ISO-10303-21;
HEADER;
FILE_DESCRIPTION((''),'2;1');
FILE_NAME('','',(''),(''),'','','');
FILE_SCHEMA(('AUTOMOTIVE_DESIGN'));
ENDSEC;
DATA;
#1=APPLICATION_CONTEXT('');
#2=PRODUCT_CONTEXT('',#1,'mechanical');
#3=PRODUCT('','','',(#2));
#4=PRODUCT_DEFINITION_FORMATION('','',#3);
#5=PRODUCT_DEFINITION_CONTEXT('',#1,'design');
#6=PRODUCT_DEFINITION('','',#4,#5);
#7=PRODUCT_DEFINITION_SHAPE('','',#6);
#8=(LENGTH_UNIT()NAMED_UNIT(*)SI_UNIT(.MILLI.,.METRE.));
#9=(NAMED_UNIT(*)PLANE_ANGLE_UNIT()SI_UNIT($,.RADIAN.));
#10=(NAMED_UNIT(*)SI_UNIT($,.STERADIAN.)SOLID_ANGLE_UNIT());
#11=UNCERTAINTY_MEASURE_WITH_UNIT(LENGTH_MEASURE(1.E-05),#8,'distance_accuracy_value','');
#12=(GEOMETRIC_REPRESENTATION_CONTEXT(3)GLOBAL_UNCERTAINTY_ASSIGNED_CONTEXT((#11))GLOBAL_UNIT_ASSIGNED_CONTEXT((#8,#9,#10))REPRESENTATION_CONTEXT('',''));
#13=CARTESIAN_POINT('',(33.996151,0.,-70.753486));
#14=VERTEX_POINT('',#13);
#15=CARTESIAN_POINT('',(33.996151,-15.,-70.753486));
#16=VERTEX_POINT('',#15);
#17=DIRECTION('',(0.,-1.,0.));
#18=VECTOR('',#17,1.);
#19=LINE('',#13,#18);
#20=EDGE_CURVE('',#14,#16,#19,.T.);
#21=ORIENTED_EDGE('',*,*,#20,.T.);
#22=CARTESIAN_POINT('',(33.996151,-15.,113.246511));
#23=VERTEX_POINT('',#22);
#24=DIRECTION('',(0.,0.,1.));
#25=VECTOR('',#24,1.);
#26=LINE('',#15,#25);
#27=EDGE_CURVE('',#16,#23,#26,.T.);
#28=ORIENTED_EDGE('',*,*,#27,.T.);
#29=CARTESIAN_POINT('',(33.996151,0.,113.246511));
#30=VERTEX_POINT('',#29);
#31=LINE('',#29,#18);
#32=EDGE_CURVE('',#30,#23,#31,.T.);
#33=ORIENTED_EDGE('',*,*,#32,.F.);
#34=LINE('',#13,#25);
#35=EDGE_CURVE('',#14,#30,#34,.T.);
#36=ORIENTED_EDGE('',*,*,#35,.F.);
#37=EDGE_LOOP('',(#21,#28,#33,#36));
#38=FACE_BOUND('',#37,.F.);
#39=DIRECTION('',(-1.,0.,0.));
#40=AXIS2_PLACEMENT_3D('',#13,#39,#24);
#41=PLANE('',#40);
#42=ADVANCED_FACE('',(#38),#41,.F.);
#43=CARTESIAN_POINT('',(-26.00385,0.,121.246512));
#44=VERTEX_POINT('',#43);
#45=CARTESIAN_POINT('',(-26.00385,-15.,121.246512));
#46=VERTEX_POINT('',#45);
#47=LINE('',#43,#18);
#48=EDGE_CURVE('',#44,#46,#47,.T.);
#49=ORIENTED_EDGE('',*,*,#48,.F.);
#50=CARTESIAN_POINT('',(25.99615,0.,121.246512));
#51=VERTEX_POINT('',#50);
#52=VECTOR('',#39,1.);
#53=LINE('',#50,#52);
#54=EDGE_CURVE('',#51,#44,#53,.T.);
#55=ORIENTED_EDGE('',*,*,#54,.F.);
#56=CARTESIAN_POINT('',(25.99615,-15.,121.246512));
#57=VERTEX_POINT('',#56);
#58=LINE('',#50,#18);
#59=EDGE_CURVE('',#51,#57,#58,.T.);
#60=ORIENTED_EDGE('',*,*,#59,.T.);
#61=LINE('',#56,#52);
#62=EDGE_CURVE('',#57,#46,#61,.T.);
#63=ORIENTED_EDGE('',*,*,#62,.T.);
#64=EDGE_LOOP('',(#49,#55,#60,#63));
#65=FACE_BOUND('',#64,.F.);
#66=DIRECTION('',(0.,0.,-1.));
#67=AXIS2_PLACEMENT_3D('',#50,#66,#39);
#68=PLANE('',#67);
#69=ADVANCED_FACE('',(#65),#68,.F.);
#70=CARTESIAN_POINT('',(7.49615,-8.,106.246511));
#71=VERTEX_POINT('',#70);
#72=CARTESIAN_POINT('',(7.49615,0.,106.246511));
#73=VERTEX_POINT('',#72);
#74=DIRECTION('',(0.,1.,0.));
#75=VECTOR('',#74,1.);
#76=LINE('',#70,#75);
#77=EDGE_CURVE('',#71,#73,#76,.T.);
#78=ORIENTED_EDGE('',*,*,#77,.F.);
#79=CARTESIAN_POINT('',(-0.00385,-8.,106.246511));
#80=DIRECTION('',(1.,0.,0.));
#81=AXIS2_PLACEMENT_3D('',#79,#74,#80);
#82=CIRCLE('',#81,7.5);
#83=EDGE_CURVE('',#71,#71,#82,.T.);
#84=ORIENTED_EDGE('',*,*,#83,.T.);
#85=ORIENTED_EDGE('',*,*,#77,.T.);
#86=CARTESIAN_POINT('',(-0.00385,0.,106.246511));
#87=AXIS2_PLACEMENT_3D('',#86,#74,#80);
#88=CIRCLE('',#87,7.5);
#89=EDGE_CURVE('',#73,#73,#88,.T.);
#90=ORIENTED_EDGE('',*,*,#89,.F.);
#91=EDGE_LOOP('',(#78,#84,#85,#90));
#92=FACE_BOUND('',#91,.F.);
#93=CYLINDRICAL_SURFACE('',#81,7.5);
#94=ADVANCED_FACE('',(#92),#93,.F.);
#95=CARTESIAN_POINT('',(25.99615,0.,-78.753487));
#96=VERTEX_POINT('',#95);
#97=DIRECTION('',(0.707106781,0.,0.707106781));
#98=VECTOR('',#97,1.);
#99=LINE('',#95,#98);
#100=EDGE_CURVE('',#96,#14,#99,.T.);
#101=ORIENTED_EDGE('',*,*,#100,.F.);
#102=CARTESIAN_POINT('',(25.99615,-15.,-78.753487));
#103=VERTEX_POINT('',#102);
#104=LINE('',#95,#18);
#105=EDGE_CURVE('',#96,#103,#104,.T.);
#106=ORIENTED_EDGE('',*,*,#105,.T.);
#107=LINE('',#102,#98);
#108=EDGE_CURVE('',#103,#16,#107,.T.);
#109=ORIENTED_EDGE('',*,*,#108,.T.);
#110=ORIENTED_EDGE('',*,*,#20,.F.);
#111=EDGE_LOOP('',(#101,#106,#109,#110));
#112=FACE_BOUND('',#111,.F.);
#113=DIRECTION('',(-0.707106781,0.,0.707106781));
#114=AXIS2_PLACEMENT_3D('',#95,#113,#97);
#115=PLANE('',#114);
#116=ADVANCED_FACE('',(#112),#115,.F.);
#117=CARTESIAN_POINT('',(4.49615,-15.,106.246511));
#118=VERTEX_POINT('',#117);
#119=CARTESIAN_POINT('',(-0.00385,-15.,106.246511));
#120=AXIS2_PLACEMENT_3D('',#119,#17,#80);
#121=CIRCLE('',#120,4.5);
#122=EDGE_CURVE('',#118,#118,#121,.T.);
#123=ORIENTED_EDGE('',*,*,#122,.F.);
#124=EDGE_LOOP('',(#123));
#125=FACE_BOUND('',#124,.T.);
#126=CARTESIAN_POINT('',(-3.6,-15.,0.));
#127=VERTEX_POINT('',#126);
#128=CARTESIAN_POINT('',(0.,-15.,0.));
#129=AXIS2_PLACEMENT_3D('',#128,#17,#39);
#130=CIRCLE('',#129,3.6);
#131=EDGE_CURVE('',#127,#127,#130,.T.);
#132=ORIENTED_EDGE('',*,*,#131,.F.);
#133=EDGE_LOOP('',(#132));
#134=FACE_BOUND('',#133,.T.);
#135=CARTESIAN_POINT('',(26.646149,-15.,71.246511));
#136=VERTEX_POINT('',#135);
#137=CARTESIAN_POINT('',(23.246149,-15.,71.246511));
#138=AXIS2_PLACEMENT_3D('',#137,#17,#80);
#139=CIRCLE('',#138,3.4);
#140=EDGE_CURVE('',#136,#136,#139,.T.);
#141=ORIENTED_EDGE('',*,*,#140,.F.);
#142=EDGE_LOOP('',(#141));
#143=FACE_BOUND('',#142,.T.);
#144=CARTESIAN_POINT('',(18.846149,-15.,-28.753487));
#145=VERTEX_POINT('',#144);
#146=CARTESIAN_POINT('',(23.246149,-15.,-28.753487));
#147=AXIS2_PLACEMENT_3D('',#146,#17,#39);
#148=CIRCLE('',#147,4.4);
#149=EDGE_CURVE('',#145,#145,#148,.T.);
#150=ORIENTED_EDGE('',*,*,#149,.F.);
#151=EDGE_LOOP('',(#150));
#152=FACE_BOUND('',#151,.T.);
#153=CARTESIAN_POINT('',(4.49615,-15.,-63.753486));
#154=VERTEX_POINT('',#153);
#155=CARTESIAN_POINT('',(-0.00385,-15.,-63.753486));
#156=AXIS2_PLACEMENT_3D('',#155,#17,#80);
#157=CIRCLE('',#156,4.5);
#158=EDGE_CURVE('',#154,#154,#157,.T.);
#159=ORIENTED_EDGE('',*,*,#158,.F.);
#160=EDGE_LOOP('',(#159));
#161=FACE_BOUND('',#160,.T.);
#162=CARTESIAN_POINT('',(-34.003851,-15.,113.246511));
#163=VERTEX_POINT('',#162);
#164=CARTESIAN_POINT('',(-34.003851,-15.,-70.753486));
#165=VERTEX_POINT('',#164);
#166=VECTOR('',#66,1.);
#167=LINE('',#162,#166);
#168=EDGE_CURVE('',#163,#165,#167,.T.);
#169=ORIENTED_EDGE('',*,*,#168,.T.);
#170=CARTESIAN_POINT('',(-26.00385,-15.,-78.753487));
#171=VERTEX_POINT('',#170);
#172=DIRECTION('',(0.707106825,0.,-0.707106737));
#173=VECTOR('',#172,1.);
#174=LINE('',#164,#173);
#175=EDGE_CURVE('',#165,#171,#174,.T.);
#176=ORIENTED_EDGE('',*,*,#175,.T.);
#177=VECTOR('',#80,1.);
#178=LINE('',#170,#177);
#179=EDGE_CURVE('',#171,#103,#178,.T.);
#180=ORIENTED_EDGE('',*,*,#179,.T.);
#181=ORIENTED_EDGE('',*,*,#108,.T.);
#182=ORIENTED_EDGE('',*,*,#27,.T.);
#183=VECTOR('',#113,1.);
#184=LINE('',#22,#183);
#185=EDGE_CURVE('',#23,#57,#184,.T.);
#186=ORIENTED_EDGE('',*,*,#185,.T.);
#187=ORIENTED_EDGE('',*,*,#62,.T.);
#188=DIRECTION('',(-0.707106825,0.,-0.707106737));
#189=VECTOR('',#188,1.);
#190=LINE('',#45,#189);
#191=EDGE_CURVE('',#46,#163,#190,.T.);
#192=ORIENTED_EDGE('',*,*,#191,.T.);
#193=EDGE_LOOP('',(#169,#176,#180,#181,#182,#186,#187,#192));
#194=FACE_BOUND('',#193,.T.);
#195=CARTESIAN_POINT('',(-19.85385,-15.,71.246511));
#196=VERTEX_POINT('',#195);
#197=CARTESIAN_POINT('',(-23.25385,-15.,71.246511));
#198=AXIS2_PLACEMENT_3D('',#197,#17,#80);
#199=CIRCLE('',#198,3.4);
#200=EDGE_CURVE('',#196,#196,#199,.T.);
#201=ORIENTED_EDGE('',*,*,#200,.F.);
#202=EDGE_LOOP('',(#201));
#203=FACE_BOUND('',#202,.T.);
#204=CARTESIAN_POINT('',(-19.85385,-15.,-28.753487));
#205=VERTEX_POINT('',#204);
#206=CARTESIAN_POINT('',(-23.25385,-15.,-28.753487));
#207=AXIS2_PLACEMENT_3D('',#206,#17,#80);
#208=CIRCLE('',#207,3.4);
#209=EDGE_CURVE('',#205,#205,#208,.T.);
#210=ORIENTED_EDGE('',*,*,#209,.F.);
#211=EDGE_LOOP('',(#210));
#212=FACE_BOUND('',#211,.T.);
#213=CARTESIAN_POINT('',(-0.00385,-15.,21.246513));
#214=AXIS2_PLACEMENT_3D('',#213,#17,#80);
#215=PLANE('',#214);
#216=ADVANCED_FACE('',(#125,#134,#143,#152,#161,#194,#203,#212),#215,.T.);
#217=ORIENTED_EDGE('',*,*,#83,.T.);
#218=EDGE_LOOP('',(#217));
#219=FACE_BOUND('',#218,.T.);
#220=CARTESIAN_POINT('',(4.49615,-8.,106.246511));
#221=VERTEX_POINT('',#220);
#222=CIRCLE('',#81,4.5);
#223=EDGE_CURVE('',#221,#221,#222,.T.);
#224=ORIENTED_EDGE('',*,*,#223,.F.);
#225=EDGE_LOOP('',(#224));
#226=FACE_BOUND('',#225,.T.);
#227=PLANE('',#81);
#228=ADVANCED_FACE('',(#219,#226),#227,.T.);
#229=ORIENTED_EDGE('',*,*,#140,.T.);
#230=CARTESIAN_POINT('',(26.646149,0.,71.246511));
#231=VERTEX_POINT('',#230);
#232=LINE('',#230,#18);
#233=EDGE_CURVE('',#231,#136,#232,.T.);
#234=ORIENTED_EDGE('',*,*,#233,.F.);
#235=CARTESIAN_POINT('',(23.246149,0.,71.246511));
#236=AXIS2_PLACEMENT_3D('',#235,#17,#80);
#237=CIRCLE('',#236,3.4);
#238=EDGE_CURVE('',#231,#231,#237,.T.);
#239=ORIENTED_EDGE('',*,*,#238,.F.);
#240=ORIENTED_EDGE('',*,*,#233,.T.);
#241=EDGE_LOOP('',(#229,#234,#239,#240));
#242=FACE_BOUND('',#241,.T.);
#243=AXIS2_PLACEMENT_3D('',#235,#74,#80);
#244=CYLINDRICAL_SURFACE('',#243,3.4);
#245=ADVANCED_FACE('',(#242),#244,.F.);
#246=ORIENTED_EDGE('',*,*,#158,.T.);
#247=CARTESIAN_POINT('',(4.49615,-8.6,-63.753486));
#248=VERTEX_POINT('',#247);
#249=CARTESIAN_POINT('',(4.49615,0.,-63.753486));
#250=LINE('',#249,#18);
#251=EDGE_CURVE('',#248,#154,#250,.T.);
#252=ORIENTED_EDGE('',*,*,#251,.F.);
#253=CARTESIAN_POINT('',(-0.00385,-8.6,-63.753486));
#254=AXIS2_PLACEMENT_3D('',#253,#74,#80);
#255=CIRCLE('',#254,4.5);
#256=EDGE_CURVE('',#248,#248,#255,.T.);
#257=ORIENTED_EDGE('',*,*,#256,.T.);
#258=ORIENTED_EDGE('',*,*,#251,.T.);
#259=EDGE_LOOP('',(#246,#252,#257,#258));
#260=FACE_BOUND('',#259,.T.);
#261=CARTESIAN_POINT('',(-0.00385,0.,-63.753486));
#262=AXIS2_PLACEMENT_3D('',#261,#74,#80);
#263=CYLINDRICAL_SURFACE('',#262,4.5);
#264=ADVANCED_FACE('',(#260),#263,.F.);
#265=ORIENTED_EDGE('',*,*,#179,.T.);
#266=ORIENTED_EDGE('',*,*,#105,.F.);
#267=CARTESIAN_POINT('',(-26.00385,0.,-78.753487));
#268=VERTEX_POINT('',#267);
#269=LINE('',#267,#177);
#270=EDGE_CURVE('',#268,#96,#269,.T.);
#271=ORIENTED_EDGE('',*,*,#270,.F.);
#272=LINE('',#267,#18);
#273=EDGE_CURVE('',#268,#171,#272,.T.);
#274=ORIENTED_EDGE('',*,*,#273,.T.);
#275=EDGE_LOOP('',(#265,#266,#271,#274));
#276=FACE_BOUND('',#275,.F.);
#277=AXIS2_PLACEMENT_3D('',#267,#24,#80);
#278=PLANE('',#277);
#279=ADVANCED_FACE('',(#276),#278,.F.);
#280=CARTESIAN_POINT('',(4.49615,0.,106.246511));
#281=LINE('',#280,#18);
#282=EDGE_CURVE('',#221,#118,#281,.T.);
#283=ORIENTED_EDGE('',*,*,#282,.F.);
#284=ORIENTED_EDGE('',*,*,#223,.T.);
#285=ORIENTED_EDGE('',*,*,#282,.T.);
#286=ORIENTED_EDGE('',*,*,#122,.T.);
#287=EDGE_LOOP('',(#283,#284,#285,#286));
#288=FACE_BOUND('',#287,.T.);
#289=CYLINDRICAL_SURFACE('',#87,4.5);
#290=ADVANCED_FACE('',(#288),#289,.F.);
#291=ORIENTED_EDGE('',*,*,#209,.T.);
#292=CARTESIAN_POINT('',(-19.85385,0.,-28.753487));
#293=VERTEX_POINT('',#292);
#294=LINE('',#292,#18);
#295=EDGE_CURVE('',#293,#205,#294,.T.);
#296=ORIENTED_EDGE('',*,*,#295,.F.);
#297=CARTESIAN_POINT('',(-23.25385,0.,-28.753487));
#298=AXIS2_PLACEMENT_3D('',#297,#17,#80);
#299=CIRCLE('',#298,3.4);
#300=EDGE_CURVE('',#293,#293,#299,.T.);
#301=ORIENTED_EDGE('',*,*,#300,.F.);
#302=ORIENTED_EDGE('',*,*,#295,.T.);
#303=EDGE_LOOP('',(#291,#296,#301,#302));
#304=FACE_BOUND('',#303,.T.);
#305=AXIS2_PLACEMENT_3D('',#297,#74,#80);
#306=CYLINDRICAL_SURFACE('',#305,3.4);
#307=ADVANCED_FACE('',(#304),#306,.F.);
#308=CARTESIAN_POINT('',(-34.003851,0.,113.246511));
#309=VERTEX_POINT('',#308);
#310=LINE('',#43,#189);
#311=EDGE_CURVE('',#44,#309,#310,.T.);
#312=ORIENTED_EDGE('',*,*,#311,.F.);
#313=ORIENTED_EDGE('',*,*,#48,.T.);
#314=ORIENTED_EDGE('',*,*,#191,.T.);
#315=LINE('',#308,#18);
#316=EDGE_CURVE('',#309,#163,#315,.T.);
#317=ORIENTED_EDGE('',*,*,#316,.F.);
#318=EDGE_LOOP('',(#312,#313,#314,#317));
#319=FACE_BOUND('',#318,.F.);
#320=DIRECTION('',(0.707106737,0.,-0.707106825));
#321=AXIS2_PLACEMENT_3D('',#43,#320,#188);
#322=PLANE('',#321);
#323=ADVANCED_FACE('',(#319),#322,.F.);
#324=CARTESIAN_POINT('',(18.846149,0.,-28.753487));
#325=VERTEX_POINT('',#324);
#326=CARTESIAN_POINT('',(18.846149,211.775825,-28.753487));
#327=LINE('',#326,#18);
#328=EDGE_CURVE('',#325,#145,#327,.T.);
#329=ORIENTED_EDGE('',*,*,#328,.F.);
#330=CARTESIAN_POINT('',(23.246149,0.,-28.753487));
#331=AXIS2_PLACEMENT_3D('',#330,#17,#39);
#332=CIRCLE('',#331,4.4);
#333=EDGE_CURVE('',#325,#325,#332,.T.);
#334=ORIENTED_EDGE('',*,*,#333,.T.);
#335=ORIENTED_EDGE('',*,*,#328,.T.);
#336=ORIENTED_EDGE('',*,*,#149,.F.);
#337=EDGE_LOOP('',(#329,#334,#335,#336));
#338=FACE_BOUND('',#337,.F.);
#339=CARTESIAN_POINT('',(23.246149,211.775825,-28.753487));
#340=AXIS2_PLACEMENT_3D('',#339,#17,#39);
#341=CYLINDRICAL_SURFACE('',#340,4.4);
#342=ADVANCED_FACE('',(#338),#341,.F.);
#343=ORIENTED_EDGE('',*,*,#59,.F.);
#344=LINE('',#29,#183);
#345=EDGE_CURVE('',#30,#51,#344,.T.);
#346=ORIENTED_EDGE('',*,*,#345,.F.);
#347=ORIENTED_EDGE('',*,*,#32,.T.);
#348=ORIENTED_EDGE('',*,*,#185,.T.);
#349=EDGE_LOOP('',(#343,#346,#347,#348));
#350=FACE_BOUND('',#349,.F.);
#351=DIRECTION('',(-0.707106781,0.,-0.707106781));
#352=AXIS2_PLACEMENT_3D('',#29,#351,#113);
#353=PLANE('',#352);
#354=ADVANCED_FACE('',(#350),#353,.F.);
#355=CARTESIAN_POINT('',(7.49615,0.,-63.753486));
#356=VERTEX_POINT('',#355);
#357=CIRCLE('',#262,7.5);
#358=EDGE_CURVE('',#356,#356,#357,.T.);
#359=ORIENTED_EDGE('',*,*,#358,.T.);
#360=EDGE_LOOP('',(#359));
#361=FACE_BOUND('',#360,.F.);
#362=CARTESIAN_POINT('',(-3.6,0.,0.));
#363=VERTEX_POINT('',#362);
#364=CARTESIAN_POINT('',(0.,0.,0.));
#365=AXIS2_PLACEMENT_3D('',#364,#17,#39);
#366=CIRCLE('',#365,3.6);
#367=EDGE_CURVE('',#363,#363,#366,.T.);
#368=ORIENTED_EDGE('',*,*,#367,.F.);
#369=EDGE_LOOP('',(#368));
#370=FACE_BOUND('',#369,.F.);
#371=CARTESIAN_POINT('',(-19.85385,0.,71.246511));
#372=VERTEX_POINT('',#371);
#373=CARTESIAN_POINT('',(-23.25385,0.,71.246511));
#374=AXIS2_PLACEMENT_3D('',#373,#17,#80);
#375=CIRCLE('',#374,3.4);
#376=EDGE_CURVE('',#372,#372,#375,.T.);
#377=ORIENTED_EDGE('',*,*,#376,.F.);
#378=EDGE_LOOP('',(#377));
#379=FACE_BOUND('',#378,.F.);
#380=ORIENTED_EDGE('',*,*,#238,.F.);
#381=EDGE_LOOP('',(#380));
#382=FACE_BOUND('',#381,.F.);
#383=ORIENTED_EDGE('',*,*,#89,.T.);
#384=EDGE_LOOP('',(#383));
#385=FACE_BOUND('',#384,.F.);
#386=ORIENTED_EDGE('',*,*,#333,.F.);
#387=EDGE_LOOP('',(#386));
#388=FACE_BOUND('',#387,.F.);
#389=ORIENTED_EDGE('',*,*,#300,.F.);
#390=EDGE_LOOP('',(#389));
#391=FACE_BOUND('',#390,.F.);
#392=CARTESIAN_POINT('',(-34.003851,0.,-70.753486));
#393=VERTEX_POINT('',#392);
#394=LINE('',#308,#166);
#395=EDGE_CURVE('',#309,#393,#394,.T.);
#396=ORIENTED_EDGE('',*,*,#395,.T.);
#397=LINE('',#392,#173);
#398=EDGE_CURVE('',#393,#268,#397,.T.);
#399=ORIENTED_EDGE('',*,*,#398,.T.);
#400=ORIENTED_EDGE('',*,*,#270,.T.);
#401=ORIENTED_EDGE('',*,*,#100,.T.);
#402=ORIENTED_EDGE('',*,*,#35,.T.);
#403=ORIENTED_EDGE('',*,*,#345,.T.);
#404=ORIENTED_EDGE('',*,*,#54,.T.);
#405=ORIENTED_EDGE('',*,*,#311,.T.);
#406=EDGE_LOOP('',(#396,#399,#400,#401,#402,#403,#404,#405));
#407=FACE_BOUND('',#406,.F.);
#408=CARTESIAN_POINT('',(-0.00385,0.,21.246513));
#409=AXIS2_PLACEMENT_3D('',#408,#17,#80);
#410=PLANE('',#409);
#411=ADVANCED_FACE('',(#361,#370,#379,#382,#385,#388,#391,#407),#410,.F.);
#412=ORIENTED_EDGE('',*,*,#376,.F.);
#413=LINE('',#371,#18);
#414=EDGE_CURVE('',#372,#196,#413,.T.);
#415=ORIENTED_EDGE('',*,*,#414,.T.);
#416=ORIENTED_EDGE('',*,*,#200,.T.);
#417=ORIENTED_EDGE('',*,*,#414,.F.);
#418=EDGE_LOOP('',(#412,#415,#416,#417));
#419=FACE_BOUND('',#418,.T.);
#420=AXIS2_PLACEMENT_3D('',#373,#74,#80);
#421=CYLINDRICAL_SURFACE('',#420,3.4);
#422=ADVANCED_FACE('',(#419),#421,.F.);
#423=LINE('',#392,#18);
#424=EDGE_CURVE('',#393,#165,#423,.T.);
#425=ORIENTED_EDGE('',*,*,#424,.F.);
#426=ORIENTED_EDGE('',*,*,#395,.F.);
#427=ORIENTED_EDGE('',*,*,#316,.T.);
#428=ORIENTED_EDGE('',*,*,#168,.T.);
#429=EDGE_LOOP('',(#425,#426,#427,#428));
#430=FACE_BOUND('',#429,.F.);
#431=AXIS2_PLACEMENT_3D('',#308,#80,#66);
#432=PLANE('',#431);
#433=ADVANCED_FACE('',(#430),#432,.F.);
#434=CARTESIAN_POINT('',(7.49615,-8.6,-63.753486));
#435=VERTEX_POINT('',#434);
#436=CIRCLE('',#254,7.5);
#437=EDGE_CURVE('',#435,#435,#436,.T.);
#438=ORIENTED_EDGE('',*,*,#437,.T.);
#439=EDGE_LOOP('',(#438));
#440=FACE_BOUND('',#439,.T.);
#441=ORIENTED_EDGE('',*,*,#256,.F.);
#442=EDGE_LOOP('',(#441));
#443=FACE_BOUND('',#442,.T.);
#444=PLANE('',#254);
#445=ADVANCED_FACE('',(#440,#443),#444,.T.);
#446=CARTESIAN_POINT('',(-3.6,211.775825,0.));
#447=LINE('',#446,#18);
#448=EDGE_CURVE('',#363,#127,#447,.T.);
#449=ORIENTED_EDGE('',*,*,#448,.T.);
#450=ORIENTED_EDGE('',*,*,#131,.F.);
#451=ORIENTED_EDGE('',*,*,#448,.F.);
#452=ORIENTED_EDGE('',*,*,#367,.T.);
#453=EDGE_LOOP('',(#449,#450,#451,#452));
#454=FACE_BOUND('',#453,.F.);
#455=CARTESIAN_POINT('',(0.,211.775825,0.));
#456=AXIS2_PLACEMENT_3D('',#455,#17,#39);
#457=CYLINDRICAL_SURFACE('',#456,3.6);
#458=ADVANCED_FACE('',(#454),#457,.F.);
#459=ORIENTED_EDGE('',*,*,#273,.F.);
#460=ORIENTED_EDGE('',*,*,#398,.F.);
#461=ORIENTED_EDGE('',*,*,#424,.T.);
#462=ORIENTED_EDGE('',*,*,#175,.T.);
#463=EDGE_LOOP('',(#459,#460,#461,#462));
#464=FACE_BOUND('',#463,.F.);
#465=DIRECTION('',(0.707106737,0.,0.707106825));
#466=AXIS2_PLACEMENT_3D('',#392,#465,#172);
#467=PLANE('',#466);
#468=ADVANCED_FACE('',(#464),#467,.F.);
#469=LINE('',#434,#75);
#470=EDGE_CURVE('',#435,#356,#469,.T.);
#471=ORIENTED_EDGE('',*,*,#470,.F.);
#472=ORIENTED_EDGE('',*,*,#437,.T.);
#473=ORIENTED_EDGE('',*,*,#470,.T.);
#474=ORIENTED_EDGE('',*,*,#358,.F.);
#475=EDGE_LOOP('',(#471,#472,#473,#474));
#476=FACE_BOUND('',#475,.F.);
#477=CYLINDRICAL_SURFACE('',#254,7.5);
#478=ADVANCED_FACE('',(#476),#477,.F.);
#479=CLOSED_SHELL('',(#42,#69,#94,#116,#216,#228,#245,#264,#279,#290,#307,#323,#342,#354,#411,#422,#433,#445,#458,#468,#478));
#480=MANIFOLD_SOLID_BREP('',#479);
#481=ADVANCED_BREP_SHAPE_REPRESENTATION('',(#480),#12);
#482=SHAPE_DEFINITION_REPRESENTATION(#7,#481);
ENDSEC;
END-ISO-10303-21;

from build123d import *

# Parameters (mm, degrees)
F0_R           = 3.3999999346
F0_R_2         = 4.4999999135
F1_DEPTH       = 15
F2_D           = 8.8
F2_CBORE_D     = 15
F2_CBORE_DEPTH = 8
F3_D           = 8.8
F3_CBORE_D     = 15
F3_CBORE_DEPTH = 8.6
F4_D           = 8.8
F5_D           = 7.2


with BuildPart() as f1:
    # F0 (on Front) → F1 (new body)
    with BuildSketch(Plane.XZ):
        Polygon((25.9961503957, 121.2465122815), (-26.0038496043, 121.2465122815), (-34.0038514504, 113.2465114353), (-34.0038514504, -70.7534860262), (-26.0038496043, -78.7534868724), (25.9961503957, -78.7534868724), (33.9961512419, -70.7534860262), (33.9961512419, 113.2465114353), align=None)
        with Locations((-23.2538496572, -28.7534868339)):
            Circle(F0_R, mode=Mode.SUBTRACT)
        with Locations((-0.0038501043, -63.7534861608)):
            Circle(F0_R_2, mode=Mode.SUBTRACT)
        with Locations((23.2461494486, -28.7534868339)):
            Circle(F0_R, mode=Mode.SUBTRACT)
        with Locations((-23.2538496572, 71.246511243)):
            Circle(F0_R, mode=Mode.SUBTRACT)
        with Locations((23.2461494486, 71.246511243)):
            Circle(F0_R, mode=Mode.SUBTRACT)
        with Locations((-0.0038501043, 106.2465105699)):
            Circle(F0_R_2, mode=Mode.SUBTRACT)
    extrude(amount=F1_DEPTH)

    # F2 (through all)
    with Locations(Plane(origin=(0, 0, 0), x_dir=(1, 0, 0), z_dir=(0, 1, 0))):
        with Locations((-0.0038501043, -106.2465105699)):
            CounterBoreHole(F2_D / 2, F2_CBORE_D / 2, F2_CBORE_DEPTH)

    # F3 (through all)
    with Locations(Plane(origin=(0, 0, 0), x_dir=(1, 0, 0), z_dir=(0, 1, 0))):
        with Locations((-0.0038501043, 63.7534861608)):
            CounterBoreHole(F3_D / 2, F3_CBORE_D / 2, F3_CBORE_DEPTH)

    # F4 (through all)
    with Locations(Plane(origin=(0, 0, 0), x_dir=(1, 0, 0), z_dir=(0, 1, 0))):
        with Locations((23.2461494486, 28.7534868339)):
            Hole(F4_D / 2)

    # F5 (through all)
    with Locations(Plane(origin=(0, 0, 0), x_dir=(1, 0, 0), z_dir=(0, 1, 0))):
        with Locations((0, 0)):
            Hole(F5_D / 2)


solid = f1.part
